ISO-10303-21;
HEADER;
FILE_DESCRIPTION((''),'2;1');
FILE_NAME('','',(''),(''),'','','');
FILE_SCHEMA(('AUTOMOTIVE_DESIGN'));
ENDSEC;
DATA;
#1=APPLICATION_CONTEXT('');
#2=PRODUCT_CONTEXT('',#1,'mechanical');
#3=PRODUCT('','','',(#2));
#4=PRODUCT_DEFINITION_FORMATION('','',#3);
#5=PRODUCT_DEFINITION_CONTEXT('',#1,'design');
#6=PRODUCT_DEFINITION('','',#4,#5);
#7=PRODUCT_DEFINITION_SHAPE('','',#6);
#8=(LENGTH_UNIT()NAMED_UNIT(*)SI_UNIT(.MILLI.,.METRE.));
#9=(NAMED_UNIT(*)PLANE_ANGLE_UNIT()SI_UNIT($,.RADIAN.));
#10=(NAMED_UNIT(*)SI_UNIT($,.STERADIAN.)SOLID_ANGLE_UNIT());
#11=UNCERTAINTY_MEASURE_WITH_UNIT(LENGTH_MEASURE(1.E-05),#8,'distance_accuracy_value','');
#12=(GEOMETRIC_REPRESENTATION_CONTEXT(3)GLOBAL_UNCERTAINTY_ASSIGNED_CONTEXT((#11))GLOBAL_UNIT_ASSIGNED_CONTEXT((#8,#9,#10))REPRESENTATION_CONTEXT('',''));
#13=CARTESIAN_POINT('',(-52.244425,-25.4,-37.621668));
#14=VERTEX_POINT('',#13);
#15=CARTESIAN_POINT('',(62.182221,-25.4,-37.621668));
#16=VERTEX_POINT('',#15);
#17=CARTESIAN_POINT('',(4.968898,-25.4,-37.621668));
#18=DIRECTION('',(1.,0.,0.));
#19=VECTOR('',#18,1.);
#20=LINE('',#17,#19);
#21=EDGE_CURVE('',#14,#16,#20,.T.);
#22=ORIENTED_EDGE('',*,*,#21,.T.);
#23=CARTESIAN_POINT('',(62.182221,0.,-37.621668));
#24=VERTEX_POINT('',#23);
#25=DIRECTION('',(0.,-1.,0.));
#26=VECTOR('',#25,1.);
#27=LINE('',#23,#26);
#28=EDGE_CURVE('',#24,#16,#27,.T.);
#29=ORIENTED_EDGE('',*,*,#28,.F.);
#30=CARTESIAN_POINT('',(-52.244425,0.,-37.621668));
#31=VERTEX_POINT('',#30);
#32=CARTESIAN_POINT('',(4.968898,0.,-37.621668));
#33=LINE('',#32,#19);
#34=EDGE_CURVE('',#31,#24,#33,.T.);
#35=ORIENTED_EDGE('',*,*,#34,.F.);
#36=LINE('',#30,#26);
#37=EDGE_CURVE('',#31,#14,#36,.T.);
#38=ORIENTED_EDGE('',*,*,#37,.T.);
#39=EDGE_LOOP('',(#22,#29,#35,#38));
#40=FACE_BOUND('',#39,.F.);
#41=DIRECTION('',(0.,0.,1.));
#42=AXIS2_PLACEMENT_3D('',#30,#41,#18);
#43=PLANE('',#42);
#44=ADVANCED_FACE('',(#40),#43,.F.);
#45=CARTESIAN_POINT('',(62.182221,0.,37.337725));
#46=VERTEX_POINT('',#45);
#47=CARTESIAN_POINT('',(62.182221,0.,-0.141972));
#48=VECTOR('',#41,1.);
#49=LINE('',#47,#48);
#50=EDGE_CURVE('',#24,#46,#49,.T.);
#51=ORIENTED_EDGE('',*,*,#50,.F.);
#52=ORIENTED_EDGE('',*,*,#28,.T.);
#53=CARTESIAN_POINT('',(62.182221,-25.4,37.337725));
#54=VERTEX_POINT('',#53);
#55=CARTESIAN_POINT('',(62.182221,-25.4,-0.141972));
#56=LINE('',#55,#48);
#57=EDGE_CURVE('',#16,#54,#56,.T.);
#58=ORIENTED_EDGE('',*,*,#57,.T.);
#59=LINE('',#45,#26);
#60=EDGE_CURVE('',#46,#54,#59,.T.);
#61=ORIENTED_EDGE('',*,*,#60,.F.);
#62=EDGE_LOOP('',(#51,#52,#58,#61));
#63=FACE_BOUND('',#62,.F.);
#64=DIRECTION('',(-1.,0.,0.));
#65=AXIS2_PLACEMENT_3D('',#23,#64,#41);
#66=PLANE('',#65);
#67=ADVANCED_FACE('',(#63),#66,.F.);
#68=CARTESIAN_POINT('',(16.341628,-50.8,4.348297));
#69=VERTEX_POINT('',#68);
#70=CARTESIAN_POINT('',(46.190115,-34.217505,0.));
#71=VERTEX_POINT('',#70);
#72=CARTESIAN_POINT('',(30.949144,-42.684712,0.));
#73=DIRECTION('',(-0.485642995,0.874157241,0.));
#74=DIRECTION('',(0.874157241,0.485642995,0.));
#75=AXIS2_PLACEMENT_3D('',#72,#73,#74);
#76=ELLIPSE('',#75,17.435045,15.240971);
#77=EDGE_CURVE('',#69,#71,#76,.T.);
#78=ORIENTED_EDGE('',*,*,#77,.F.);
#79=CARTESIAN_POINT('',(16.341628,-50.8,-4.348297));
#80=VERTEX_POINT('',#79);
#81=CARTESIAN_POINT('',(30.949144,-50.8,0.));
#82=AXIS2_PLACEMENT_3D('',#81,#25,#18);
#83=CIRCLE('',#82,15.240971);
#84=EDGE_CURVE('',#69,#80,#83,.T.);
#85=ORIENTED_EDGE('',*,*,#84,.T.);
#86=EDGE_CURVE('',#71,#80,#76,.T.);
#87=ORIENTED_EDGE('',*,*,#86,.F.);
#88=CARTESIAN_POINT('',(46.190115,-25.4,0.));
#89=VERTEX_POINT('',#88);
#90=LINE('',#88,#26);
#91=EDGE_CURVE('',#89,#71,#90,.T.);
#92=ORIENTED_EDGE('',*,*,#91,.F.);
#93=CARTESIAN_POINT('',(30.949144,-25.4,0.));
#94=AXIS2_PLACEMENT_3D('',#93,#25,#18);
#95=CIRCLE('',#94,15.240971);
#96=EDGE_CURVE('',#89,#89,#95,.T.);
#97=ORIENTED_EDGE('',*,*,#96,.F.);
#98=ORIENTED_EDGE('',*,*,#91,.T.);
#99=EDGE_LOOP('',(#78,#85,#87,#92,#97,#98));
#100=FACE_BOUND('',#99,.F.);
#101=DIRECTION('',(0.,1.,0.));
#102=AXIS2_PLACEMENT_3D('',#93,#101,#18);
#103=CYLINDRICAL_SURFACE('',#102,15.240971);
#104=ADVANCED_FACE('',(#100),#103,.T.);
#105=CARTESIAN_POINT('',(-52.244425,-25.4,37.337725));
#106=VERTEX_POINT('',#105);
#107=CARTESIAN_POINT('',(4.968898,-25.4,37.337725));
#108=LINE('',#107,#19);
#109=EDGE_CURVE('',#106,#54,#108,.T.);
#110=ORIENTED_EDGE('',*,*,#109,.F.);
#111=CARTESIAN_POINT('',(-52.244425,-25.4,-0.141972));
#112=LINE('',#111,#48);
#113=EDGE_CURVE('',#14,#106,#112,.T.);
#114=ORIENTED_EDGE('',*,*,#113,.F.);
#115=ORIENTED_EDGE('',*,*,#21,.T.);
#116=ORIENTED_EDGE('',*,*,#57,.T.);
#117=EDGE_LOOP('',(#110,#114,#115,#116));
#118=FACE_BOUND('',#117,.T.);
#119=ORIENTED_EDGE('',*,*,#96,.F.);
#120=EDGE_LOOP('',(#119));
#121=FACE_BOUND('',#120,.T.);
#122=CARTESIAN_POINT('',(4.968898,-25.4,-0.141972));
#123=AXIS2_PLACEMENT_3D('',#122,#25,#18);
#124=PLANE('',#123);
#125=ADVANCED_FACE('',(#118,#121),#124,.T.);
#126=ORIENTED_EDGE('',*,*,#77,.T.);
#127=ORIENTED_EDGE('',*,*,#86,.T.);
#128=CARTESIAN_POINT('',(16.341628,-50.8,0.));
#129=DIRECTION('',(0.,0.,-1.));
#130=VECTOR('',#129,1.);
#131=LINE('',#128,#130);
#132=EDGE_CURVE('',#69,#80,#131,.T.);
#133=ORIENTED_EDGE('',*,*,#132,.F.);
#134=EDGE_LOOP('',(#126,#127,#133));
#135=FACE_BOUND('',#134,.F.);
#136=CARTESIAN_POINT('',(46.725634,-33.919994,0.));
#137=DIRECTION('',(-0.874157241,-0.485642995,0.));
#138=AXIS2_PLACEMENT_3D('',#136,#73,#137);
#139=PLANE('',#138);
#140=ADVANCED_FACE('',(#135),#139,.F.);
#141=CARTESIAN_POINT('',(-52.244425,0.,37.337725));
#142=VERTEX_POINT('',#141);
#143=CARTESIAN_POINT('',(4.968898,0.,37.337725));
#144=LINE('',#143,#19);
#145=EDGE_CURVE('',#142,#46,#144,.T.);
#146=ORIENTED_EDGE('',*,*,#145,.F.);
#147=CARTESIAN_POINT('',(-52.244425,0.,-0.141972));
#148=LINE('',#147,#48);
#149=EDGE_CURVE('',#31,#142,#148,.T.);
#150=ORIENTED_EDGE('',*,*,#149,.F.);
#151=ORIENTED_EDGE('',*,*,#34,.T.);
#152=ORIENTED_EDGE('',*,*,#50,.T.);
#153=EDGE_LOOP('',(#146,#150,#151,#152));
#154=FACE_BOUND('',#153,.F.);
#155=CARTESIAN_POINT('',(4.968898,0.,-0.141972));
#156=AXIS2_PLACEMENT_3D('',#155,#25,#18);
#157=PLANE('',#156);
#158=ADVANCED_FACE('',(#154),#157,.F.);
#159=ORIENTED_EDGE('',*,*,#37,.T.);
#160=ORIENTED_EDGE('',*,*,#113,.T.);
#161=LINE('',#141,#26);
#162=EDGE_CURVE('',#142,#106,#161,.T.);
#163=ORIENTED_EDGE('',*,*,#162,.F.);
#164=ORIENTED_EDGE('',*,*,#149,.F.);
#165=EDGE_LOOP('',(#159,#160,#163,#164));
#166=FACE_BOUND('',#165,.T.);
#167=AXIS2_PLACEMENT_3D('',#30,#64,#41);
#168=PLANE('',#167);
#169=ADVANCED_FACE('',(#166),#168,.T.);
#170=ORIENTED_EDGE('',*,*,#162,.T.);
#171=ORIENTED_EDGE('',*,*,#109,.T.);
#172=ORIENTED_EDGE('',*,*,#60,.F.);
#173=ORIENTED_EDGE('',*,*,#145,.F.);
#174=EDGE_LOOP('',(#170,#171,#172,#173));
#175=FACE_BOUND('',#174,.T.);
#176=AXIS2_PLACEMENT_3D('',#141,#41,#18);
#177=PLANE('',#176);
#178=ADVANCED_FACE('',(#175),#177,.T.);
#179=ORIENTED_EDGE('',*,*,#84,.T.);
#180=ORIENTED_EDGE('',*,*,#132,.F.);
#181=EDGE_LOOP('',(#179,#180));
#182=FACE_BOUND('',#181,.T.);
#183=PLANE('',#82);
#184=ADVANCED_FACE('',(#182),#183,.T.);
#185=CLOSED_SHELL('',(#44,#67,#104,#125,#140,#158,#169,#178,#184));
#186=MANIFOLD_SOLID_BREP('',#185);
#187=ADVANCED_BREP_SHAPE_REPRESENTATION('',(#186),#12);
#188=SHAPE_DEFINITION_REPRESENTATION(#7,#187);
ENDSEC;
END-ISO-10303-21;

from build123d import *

# Parameters (mm, degrees)
F0_W     = 114.426647
F0_H     = 74.959393
F1_DEPTH = 25.4
F2_R     = 15.240971
F3_DEPTH = 25.4
F5_DEPTH = 25.4


with BuildPart() as f1:
    # F0 (on Front) → F1 (new body)
    with BuildSketch(Plane.XZ):
        with Locations((4.968898, -0.141972)):
            Rectangle(F0_W, F0_H)
    extrude(amount=F1_DEPTH)

    # F2 (on face) → F3 (join)
    with BuildSketch(Plane.XZ.offset(25.4)):
        with Locations((30.949144, 0)):
            Circle(F2_R)
    extrude(amount=F3_DEPTH)

    # F4 (on Top) → F5 (cut, symmetric)
    with BuildSketch(Plane.XY):
        Polygon((50.745651, -52.68006), (46.725634, -33.919994), (12.957521, -52.68006), align=None)
    extrude(amount=F5_DEPTH, both=True, mode=Mode.SUBTRACT)


solid = f1.part
